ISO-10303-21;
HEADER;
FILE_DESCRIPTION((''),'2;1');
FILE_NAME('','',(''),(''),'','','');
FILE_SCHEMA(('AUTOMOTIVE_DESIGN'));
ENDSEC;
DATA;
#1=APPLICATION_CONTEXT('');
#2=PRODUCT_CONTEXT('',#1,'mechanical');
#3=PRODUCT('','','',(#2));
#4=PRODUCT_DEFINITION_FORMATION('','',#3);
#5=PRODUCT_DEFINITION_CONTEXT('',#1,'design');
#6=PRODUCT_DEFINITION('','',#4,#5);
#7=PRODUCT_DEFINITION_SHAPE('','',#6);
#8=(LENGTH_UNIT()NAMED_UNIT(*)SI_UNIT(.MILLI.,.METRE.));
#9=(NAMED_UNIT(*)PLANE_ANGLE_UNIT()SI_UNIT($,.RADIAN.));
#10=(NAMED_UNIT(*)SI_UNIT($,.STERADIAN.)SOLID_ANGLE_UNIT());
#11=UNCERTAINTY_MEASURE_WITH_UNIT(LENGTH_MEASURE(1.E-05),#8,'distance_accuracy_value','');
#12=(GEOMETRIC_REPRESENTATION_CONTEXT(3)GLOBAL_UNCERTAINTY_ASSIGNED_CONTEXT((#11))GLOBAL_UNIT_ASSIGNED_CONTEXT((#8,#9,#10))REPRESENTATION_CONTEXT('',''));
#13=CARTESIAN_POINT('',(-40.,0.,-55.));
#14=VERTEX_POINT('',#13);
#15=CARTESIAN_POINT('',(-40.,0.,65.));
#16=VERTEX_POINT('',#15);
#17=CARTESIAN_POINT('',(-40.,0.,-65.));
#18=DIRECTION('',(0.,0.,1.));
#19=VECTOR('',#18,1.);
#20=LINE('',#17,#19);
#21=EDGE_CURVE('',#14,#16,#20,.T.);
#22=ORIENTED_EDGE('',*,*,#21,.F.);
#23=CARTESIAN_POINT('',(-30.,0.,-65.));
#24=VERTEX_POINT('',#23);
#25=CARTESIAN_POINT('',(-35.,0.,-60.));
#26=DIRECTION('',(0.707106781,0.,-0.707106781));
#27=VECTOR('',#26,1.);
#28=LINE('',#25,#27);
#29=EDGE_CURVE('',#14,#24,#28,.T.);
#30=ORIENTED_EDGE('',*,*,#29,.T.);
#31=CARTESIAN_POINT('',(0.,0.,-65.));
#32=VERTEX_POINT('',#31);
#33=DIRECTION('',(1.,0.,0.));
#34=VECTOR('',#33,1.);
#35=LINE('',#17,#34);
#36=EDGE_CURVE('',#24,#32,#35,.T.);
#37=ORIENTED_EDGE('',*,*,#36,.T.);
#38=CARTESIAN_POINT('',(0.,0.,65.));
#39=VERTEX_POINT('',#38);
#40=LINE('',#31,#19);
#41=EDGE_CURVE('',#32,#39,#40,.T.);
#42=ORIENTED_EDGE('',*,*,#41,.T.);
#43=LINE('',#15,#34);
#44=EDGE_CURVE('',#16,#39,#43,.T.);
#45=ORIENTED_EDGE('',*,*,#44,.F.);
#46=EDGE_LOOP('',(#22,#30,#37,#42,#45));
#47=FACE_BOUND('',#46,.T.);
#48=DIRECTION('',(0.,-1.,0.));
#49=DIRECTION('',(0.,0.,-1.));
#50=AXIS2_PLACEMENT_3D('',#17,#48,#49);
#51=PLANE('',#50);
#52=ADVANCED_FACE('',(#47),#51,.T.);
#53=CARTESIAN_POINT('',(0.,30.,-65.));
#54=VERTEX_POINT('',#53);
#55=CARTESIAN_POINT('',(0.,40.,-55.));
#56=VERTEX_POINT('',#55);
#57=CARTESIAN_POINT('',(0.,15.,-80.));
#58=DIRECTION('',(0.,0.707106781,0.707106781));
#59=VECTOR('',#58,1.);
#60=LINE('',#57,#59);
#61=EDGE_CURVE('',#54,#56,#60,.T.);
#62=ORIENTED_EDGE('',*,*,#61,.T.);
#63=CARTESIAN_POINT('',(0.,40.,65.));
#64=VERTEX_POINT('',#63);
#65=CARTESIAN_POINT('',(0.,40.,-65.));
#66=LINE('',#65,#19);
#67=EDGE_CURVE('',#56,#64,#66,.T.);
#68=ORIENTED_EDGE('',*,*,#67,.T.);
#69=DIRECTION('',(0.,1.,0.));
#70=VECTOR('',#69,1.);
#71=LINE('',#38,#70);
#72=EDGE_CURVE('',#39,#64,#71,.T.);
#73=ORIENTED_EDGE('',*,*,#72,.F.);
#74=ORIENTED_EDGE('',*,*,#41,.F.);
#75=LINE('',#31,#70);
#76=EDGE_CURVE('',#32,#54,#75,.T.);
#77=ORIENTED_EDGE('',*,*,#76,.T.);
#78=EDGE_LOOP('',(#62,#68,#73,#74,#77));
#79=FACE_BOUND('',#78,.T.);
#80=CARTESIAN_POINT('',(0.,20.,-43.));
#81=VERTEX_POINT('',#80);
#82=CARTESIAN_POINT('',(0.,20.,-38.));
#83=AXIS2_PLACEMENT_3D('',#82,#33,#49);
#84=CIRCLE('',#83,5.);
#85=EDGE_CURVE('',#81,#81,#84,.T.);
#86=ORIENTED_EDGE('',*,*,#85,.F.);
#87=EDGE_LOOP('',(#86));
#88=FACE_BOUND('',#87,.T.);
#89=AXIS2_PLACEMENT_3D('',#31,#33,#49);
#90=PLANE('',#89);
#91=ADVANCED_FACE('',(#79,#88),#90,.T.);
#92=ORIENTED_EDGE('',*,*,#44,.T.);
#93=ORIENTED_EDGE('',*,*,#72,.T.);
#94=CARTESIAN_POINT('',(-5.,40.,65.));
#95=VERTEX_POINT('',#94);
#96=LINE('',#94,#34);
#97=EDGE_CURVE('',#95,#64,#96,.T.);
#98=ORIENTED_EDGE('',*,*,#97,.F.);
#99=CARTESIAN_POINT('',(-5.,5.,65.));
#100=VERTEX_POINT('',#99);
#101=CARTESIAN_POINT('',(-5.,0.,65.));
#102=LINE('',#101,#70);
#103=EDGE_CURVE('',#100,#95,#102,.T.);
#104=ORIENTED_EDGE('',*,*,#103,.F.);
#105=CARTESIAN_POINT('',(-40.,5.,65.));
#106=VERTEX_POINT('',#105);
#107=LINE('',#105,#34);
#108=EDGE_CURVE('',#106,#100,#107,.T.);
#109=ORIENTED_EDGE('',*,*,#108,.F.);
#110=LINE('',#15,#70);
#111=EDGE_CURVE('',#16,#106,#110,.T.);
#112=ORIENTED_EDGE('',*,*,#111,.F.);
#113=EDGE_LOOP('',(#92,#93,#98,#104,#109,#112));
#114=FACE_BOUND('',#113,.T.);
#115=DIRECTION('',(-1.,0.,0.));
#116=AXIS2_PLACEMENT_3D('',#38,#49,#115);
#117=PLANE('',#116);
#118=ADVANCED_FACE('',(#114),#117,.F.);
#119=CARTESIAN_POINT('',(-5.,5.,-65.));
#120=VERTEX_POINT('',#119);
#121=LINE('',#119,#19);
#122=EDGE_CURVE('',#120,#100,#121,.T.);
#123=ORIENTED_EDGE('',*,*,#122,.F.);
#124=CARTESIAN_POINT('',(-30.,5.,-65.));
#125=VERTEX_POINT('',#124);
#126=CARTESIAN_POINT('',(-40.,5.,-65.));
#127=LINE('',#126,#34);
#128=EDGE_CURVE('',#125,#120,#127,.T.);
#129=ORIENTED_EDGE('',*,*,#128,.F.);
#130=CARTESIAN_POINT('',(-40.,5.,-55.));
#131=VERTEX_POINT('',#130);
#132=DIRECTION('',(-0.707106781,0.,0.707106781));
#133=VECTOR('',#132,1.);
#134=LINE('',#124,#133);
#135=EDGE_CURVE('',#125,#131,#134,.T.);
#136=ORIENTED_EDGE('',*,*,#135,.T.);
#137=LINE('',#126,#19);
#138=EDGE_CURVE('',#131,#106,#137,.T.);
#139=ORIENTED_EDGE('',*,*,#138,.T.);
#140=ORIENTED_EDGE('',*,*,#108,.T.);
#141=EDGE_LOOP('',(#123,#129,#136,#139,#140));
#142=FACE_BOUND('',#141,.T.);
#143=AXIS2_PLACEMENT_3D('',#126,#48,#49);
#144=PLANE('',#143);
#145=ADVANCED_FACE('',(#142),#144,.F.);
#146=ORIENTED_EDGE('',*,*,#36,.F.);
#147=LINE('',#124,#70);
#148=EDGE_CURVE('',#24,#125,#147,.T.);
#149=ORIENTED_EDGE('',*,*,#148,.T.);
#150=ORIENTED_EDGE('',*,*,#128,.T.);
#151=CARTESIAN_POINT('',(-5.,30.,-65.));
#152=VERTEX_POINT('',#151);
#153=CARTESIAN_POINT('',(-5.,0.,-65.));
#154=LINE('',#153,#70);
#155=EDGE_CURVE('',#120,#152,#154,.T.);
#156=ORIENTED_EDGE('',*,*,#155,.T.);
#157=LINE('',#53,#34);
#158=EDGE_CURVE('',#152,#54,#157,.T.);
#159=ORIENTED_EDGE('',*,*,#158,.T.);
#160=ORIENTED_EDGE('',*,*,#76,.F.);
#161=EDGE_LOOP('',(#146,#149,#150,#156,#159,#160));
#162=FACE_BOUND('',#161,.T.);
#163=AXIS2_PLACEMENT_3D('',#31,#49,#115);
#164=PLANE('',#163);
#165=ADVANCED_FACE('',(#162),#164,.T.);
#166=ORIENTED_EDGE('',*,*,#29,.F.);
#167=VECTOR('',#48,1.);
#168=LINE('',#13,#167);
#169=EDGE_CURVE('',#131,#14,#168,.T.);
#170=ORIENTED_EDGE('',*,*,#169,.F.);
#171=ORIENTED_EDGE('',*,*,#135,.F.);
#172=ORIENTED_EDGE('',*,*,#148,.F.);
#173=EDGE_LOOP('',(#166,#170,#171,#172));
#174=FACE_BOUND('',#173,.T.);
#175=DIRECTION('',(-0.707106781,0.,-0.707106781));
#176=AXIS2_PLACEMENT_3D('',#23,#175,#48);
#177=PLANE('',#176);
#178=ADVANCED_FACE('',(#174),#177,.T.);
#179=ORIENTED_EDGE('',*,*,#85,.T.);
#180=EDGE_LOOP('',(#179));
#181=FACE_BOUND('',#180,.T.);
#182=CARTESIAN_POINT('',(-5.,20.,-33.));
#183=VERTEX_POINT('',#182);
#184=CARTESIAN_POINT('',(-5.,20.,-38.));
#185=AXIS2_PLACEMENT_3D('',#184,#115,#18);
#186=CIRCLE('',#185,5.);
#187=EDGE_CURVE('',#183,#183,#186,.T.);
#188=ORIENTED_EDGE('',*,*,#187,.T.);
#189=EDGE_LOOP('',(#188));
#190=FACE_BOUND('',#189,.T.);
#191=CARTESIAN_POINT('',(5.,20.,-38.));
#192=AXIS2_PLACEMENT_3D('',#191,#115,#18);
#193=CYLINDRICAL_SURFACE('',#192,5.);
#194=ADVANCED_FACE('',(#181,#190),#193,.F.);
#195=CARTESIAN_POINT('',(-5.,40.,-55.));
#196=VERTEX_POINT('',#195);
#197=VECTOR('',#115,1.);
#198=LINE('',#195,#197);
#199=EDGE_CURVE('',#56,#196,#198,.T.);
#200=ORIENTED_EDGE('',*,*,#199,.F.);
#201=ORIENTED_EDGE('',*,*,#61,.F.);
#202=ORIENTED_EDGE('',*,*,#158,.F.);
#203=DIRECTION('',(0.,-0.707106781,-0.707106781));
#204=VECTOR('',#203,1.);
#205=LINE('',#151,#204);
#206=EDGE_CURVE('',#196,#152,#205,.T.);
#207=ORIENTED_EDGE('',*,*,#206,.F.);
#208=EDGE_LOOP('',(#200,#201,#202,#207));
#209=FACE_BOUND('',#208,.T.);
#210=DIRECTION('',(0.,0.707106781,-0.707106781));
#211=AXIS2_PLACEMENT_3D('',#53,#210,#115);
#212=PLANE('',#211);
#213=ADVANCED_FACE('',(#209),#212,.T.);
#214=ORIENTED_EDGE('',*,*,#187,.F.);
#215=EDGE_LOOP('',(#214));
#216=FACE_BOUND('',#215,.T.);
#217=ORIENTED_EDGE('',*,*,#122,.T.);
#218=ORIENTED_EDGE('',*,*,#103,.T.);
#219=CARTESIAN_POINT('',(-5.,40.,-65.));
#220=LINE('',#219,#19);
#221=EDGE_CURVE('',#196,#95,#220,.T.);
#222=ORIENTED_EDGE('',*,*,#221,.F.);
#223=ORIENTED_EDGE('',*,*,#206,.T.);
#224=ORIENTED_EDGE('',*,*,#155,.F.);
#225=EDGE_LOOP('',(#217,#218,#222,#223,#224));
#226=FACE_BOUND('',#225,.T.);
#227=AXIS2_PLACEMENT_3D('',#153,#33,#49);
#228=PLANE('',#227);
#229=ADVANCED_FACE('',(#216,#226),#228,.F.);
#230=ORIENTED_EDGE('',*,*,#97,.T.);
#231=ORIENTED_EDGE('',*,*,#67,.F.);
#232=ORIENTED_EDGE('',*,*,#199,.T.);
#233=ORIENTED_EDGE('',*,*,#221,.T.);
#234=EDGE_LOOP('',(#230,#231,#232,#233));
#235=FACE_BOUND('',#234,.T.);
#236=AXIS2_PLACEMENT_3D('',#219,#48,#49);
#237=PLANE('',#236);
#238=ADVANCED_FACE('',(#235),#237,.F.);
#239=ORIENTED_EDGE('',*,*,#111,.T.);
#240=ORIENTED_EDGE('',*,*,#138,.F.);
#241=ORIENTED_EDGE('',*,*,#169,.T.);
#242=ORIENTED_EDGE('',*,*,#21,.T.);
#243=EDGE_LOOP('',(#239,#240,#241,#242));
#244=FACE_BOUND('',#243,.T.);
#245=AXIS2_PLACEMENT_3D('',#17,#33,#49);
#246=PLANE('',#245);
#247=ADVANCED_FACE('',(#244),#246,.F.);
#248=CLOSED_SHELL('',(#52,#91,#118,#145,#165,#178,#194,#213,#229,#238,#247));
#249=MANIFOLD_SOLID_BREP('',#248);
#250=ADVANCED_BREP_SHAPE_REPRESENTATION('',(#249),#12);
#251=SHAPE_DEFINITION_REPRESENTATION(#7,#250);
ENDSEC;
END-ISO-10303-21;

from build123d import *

# Parameters (mm, degrees)
EXTRUDE_THIN1_DEPTH      = 65
EXTRUDE_THIN1_DEPTH_BACK = 65
CHAMFER1_SIZE            = 10
SKETCH3_R                = 5
CUT_EXTRUDE1_DEPTH       = 10


with BuildPart() as part:
    # Sketch2 → Extrude-Thin1 (new, two sides: drawn at the far end of the back side and taken through both)
    with BuildSketch(Plane.XY.offset(-EXTRUDE_THIN1_DEPTH_BACK)):
        Polygon((-40, 0), (0, 0), (0, 40), (-5, 40), (-5, 5), (-40, 5), align=None)
    extrude(amount=EXTRUDE_THIN1_DEPTH + EXTRUDE_THIN1_DEPTH_BACK)

    # Chamfer1
    chamfer1_edges = [part.edges().sort_by_distance(p)[0] for p in [
        (-40, 2.5, -65),
        (-2.5, 40, -65),
    ]]
    chamfer(chamfer1_edges, length=CHAMFER1_SIZE)

    # Sketch3 → Cut-Extrude1 (cut)
    with BuildSketch(Plane.ZY.offset(5)):
        with Locations((-38, 20)):
            Circle(SKETCH3_R)
    extrude(amount=-CUT_EXTRUDE1_DEPTH, mode=Mode.SUBTRACT)


solid = part.part
